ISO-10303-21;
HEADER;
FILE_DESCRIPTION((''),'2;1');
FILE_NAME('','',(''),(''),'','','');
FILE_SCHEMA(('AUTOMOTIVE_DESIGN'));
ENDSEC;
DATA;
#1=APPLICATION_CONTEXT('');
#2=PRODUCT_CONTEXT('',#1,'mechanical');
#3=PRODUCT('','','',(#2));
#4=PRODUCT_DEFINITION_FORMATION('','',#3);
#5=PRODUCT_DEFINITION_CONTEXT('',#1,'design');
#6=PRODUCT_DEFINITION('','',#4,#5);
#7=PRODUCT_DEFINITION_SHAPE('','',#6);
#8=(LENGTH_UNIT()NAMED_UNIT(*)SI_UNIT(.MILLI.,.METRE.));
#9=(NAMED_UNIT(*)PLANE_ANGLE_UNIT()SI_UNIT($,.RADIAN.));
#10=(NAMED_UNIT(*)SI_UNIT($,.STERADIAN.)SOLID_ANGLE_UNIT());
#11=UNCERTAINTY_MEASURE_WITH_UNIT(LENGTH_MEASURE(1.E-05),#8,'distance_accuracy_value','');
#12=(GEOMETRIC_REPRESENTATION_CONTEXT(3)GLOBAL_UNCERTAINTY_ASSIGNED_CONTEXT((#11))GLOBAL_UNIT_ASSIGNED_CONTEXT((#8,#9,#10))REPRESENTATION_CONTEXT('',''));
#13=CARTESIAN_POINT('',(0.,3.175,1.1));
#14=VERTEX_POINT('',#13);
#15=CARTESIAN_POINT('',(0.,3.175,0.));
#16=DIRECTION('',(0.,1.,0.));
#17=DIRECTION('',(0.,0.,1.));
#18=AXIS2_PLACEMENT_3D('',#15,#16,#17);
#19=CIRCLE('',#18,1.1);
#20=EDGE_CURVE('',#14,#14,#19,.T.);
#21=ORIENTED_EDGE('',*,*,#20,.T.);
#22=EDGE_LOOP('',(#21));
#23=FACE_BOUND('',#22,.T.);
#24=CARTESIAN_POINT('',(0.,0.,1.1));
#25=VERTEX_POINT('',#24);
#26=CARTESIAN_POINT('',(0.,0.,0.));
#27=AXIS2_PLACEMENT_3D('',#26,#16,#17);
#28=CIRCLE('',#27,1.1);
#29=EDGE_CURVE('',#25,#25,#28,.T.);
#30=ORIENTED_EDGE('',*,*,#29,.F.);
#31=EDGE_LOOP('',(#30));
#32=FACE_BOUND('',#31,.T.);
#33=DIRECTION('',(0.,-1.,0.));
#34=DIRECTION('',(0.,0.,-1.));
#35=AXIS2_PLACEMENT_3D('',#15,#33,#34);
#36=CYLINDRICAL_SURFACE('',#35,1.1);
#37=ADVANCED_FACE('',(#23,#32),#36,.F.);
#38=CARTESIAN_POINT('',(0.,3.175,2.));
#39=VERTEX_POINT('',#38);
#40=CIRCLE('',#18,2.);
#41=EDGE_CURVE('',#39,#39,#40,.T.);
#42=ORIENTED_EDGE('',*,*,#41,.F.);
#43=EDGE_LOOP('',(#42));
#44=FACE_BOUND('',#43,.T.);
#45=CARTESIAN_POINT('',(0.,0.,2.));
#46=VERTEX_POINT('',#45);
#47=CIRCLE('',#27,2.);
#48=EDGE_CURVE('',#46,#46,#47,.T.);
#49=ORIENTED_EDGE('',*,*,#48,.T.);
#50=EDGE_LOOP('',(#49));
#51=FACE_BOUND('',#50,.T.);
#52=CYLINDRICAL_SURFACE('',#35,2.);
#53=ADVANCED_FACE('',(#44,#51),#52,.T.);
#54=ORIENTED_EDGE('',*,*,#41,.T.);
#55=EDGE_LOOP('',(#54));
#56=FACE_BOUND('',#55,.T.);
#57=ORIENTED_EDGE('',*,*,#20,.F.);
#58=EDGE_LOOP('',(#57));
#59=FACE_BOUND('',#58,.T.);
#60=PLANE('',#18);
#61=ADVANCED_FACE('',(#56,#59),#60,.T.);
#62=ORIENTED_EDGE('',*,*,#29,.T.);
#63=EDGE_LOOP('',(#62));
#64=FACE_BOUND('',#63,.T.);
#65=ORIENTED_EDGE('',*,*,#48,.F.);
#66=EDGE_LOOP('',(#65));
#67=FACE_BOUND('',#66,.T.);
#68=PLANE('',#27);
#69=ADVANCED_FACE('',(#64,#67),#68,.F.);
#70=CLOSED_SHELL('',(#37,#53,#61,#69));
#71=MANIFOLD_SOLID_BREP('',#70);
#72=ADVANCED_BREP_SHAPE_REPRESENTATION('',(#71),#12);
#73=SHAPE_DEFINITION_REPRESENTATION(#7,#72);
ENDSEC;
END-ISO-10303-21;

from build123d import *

# Parameters (mm, degrees)
SKETCH1_R           = 2
SKETCH1_R_2         = 1.1
BOSS_EXTRUDE1_DEPTH = 3.175


with BuildPart() as part:
    # Sketch1 → Boss-Extrude1 (new body)
    with BuildSketch(Plane(origin=(0, 0, 0), x_dir=(1, 0, 0), z_dir=(0, 1, 0))):
        with Locations(Location((0, 0, 0), (0, 0, 270))):
            Circle(SKETCH1_R)
        with Locations(Location((0, 0, 0), (0, 0, 270))):
            Circle(SKETCH1_R_2, mode=Mode.SUBTRACT)
    extrude(amount=BOSS_EXTRUDE1_DEPTH)


solid = part.part
